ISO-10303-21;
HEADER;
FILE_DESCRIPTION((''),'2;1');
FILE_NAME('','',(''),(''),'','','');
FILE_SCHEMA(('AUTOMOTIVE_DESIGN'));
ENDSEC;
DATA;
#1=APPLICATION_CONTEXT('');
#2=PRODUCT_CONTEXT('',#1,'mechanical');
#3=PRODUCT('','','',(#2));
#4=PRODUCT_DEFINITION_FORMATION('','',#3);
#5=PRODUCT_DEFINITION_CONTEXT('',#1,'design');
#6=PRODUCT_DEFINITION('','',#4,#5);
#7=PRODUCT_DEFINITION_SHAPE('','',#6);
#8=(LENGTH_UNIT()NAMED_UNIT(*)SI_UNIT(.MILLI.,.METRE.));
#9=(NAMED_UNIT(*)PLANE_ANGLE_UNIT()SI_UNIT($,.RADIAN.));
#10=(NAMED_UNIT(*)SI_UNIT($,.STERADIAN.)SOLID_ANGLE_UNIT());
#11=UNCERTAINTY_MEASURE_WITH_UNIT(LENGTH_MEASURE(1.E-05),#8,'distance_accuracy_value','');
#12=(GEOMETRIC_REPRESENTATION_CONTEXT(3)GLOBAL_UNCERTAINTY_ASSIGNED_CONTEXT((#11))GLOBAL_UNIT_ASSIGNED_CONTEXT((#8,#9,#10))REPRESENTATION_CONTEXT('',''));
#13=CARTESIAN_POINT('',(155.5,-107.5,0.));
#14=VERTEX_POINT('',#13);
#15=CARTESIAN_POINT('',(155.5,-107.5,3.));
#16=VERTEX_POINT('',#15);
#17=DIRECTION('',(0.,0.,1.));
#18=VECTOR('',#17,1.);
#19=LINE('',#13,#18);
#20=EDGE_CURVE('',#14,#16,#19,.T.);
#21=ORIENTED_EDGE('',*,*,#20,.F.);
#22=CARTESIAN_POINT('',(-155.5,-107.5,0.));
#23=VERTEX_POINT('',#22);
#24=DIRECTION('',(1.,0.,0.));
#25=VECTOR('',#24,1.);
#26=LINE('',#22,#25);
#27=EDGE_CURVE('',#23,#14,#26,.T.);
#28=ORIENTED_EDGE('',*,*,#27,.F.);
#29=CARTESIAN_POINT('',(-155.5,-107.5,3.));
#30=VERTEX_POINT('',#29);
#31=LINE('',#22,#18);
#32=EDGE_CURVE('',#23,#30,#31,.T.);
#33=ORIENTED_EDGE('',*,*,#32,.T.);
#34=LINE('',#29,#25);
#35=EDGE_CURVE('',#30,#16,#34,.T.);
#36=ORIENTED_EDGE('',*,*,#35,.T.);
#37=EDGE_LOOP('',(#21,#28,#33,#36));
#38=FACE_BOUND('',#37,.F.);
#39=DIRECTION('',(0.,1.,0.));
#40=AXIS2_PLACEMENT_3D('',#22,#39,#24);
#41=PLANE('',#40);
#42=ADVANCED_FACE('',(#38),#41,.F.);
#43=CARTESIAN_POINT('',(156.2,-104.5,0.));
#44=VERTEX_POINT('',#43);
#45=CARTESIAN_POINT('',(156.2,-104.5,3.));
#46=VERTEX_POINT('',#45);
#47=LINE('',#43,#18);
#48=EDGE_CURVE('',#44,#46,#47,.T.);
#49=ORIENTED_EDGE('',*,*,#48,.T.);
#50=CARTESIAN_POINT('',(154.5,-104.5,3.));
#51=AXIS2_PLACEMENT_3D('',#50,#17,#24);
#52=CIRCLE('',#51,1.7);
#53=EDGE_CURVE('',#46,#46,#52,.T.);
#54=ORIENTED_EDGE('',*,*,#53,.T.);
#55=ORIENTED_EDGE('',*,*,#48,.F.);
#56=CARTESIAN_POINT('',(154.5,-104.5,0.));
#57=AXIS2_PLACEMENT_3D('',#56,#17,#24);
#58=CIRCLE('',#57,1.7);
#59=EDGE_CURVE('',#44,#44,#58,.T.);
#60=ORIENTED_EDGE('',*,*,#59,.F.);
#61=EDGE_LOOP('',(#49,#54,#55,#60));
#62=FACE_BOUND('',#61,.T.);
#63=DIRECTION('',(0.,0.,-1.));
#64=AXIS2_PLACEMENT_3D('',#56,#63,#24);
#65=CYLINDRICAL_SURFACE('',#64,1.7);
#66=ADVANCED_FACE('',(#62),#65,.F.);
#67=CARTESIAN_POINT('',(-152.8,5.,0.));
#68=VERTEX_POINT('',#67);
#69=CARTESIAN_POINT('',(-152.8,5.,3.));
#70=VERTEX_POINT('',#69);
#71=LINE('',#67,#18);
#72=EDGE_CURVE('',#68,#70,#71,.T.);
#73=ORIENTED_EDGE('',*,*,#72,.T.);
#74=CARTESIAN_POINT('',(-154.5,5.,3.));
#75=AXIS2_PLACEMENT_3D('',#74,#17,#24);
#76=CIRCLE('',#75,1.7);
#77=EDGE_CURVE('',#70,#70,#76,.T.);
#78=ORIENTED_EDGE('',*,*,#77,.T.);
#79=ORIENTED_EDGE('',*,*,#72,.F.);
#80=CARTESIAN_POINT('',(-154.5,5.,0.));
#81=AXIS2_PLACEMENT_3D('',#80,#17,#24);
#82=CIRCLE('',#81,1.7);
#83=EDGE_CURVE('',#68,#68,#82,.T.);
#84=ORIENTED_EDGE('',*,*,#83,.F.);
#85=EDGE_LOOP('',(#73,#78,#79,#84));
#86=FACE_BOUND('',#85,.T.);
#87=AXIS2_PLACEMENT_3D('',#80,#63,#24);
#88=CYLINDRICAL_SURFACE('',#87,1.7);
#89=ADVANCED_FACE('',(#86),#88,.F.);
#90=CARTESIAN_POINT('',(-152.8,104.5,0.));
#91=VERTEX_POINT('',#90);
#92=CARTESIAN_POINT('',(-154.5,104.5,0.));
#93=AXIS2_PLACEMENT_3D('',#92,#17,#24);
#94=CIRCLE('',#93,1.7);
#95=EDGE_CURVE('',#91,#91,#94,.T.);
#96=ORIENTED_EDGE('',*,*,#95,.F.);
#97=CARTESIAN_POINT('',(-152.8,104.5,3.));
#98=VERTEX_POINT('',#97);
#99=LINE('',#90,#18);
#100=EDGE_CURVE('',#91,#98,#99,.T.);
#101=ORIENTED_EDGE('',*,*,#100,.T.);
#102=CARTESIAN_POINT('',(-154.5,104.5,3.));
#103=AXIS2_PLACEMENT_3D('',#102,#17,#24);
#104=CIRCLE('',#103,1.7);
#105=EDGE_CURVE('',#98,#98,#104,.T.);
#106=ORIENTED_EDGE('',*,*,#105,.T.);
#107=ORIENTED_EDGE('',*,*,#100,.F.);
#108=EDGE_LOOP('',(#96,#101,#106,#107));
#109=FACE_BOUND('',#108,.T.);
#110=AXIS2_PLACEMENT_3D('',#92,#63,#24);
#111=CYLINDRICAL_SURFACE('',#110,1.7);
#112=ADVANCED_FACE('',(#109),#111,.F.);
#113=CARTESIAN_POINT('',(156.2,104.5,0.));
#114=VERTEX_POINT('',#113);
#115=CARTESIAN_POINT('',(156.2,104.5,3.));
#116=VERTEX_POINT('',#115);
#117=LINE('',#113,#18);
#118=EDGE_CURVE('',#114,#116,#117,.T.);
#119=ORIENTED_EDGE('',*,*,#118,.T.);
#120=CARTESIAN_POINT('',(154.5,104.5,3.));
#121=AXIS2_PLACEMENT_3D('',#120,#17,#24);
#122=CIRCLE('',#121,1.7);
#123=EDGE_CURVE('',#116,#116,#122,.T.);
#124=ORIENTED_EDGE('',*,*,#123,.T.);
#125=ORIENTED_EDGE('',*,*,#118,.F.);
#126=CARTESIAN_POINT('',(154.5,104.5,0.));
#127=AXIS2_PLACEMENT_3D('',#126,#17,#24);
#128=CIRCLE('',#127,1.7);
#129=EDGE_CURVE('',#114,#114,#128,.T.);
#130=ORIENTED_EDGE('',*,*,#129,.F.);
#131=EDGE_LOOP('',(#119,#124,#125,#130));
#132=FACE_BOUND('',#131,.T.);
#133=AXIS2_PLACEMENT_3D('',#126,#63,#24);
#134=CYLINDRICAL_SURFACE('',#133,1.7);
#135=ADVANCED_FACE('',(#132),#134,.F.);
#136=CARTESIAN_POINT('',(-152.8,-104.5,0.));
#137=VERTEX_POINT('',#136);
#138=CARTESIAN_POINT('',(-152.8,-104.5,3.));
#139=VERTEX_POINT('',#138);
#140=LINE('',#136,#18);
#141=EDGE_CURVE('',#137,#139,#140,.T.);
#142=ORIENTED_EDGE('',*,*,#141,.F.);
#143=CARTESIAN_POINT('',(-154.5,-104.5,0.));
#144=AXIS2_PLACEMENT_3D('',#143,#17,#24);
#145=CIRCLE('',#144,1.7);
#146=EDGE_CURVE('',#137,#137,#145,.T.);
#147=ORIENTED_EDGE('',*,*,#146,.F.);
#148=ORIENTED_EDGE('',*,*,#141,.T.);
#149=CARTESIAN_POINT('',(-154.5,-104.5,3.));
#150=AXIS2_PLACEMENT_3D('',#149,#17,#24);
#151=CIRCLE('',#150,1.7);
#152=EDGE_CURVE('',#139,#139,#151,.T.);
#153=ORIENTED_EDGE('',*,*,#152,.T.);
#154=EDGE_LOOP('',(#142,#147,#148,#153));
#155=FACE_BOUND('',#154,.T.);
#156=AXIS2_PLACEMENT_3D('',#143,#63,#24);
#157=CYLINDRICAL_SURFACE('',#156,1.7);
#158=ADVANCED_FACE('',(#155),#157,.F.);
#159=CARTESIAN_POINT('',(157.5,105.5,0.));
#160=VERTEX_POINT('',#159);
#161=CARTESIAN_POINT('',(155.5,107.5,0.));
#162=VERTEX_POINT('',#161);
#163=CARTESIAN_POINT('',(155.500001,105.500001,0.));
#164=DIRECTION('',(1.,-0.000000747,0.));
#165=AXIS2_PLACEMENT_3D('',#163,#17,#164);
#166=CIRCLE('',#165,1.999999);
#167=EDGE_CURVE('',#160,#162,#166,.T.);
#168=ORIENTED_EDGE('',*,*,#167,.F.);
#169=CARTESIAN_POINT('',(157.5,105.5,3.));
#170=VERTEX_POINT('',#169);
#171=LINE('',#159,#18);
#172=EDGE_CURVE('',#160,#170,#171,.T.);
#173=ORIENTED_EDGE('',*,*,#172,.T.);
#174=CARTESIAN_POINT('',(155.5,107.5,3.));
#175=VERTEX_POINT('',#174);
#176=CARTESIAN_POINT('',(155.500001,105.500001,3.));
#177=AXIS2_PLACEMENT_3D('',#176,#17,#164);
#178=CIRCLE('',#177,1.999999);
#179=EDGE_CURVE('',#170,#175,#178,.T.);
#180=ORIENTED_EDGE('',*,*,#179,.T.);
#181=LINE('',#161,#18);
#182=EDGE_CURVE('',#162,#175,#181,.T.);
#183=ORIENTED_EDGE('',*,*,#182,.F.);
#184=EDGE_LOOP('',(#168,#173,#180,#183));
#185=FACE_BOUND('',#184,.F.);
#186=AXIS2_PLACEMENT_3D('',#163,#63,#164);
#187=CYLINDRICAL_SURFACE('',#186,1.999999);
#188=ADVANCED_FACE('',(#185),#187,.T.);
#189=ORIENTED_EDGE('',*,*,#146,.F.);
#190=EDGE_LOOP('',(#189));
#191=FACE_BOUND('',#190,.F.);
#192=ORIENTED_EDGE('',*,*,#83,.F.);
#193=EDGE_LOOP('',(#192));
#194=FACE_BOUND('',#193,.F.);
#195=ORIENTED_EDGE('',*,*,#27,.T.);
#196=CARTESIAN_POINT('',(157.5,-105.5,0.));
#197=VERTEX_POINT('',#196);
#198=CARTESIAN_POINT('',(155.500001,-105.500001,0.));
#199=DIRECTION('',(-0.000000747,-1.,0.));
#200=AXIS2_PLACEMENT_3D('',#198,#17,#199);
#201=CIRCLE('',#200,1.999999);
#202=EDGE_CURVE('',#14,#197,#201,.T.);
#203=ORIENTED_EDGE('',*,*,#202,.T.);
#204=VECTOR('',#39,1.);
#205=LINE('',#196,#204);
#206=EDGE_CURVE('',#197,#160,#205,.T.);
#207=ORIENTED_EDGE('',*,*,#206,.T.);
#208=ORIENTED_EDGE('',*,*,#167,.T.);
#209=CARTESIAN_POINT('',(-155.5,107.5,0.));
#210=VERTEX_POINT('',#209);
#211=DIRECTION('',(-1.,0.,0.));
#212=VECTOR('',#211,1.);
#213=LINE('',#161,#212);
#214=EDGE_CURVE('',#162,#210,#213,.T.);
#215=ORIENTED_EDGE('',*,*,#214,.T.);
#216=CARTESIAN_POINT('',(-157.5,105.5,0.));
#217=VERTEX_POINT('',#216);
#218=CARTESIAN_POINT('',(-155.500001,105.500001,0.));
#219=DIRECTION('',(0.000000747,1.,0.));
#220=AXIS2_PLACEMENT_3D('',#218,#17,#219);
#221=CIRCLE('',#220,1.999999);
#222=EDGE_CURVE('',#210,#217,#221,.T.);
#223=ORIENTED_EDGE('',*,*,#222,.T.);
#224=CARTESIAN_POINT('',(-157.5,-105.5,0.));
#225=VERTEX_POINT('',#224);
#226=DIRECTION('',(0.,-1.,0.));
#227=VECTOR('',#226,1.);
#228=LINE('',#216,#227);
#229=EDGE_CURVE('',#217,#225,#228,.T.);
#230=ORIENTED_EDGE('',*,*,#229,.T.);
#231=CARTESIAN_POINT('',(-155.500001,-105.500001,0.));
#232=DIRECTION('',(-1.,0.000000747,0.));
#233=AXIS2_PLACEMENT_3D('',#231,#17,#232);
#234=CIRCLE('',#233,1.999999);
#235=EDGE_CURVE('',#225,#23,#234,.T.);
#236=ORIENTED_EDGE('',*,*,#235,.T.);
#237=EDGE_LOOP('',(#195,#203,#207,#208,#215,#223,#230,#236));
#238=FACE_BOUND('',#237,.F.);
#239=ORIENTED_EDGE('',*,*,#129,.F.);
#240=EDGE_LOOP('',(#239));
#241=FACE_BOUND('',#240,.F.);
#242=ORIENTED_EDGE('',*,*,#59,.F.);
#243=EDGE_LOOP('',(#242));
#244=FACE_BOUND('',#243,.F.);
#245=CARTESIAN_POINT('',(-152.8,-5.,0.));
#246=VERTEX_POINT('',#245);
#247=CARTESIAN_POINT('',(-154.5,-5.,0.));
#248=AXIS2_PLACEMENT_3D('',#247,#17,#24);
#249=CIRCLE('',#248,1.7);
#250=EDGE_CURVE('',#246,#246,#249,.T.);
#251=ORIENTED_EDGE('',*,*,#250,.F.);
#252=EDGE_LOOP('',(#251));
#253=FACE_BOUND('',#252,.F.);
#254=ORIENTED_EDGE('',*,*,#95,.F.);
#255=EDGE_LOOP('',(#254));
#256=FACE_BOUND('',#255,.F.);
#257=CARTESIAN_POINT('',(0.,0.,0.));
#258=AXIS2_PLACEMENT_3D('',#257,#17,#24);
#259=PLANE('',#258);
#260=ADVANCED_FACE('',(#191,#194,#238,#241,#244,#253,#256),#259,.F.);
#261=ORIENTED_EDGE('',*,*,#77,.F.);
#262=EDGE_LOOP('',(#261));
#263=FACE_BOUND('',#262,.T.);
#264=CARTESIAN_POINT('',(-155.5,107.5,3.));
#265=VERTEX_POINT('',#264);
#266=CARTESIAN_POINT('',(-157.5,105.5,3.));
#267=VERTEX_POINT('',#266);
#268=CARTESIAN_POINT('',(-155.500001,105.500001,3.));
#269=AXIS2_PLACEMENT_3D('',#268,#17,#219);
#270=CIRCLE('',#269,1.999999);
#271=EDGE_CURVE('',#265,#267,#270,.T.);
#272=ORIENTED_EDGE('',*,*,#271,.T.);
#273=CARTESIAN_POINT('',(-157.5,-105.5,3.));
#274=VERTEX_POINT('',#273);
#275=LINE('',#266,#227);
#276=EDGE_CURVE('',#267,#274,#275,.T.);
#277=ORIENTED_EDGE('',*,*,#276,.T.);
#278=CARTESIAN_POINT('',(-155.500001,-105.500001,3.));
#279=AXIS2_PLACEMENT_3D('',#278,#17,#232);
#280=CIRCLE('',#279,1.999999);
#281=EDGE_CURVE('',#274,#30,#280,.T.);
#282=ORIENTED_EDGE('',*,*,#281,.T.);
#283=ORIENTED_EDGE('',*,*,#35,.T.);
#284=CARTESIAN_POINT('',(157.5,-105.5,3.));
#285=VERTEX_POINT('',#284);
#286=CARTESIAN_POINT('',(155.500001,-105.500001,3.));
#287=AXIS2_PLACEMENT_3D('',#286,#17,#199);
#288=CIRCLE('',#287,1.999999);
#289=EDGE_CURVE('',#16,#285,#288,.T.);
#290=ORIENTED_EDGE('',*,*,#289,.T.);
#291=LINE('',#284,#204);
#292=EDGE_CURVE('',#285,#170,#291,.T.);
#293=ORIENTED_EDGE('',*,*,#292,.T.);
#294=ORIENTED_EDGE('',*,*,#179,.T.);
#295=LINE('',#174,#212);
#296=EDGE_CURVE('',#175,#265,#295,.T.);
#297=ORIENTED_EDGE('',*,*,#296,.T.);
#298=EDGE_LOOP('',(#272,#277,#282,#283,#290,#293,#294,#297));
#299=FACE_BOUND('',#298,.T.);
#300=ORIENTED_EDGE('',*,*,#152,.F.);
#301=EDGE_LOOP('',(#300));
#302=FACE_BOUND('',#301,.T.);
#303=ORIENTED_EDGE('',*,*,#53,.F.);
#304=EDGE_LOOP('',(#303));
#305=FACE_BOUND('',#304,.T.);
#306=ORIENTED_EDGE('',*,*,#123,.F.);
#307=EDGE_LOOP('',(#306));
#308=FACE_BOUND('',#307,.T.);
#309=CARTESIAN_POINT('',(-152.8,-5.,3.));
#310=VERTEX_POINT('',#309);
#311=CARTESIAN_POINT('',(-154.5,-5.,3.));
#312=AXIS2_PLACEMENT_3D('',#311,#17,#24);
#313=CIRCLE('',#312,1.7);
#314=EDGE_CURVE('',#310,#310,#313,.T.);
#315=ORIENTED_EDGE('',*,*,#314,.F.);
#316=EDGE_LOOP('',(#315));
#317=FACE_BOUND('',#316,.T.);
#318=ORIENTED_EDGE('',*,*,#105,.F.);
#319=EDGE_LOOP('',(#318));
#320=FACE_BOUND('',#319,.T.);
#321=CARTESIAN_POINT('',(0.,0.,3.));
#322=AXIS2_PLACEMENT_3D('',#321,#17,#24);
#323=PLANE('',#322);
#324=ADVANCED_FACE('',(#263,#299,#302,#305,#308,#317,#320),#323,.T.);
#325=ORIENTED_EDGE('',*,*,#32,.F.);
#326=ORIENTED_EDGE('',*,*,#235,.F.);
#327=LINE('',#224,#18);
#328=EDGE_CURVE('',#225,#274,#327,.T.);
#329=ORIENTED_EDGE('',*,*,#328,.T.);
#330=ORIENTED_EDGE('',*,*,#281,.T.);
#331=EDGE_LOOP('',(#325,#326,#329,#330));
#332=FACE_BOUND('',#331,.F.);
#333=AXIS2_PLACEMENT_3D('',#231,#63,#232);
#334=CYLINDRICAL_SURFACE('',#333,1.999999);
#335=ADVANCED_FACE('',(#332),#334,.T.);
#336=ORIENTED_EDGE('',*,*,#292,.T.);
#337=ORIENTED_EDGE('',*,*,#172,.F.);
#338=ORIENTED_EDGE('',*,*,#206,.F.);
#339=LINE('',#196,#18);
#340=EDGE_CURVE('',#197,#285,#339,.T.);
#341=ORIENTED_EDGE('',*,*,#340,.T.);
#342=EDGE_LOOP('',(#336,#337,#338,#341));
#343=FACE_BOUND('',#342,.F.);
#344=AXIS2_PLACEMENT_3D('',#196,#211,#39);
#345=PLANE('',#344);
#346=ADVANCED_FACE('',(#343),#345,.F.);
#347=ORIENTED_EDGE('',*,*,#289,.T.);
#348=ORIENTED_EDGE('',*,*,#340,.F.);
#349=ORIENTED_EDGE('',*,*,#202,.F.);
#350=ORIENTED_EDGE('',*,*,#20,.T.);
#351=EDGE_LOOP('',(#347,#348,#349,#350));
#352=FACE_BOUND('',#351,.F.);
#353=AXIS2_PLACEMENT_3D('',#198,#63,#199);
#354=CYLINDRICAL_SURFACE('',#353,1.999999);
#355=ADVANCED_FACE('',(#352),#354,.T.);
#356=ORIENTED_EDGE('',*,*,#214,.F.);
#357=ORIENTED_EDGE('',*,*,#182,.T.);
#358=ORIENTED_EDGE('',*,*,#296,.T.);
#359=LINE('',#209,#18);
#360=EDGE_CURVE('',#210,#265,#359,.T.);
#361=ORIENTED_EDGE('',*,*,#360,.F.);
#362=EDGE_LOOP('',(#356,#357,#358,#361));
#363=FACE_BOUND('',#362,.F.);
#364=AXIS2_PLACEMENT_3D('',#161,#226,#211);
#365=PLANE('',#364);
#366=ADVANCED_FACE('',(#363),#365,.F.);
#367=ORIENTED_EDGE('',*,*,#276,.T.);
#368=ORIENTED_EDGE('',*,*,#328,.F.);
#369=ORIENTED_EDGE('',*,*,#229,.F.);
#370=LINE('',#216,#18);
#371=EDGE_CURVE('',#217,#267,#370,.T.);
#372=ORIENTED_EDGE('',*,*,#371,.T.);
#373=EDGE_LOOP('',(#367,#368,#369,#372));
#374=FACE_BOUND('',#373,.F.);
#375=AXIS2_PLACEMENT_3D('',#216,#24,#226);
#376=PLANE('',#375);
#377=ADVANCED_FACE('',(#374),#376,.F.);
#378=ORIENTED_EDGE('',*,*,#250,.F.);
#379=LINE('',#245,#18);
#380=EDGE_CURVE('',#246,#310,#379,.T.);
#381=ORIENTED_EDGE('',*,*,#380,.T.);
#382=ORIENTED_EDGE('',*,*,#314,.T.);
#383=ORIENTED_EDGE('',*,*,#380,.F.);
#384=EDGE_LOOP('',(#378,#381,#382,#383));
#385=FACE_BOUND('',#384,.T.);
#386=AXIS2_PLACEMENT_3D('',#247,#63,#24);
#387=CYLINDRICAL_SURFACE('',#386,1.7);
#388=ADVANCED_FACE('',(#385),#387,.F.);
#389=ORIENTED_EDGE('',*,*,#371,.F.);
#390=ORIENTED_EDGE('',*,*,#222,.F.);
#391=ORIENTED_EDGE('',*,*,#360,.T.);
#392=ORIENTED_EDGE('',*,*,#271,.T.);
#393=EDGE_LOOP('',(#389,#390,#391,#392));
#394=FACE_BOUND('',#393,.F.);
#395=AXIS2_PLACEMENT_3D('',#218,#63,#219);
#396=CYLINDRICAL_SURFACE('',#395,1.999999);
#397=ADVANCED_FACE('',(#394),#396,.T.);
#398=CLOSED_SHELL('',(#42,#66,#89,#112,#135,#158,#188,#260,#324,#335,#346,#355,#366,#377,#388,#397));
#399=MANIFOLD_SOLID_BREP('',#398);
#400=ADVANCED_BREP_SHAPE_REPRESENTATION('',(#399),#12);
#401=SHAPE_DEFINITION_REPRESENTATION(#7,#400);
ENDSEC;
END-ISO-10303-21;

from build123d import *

# Parameters (mm, degrees)
F0_R     = 1.7
F1_DEPTH = 3


with BuildPart() as f1:
    # F0 (on Top) → F1 (new body)
    with BuildSketch(Plane.XY):
        with BuildLine():
            Line((155.5, 107.5), (-155.5, 107.5))
            ThreePointArc((-155.5, 107.5), (-156.914214, 106.914214), (-157.5, 105.5))
            Line((-157.5, 105.5), (-157.5, -105.5))
            ThreePointArc((-157.5, -105.5), (-156.914214, -106.914214), (-155.5, -107.5))
            Line((-155.5, -107.5), (155.5, -107.5))
            ThreePointArc((155.5, -107.5), (156.914214, -106.914214), (157.5, -105.5))
            Line((157.5, -105.5), (157.5, 105.5))
            ThreePointArc((157.5, 105.5), (156.914214, 106.914214), (155.5, 107.5))
        make_face()
        with Locations((-154.5, -104.5)):
            Circle(F0_R, mode=Mode.SUBTRACT)
        with Locations((-154.5, -5)):
            Circle(F0_R, mode=Mode.SUBTRACT)
        with Locations((154.5, -104.5)):
            Circle(F0_R, mode=Mode.SUBTRACT)
        with Locations((-154.5, 5)):
            Circle(F0_R, mode=Mode.SUBTRACT)
        with Locations((-154.5, 104.5)):
            Circle(F0_R, mode=Mode.SUBTRACT)
        with Locations((154.5, 104.5)):
            Circle(F0_R, mode=Mode.SUBTRACT)
    extrude(amount=F1_DEPTH)


solid = f1.part
